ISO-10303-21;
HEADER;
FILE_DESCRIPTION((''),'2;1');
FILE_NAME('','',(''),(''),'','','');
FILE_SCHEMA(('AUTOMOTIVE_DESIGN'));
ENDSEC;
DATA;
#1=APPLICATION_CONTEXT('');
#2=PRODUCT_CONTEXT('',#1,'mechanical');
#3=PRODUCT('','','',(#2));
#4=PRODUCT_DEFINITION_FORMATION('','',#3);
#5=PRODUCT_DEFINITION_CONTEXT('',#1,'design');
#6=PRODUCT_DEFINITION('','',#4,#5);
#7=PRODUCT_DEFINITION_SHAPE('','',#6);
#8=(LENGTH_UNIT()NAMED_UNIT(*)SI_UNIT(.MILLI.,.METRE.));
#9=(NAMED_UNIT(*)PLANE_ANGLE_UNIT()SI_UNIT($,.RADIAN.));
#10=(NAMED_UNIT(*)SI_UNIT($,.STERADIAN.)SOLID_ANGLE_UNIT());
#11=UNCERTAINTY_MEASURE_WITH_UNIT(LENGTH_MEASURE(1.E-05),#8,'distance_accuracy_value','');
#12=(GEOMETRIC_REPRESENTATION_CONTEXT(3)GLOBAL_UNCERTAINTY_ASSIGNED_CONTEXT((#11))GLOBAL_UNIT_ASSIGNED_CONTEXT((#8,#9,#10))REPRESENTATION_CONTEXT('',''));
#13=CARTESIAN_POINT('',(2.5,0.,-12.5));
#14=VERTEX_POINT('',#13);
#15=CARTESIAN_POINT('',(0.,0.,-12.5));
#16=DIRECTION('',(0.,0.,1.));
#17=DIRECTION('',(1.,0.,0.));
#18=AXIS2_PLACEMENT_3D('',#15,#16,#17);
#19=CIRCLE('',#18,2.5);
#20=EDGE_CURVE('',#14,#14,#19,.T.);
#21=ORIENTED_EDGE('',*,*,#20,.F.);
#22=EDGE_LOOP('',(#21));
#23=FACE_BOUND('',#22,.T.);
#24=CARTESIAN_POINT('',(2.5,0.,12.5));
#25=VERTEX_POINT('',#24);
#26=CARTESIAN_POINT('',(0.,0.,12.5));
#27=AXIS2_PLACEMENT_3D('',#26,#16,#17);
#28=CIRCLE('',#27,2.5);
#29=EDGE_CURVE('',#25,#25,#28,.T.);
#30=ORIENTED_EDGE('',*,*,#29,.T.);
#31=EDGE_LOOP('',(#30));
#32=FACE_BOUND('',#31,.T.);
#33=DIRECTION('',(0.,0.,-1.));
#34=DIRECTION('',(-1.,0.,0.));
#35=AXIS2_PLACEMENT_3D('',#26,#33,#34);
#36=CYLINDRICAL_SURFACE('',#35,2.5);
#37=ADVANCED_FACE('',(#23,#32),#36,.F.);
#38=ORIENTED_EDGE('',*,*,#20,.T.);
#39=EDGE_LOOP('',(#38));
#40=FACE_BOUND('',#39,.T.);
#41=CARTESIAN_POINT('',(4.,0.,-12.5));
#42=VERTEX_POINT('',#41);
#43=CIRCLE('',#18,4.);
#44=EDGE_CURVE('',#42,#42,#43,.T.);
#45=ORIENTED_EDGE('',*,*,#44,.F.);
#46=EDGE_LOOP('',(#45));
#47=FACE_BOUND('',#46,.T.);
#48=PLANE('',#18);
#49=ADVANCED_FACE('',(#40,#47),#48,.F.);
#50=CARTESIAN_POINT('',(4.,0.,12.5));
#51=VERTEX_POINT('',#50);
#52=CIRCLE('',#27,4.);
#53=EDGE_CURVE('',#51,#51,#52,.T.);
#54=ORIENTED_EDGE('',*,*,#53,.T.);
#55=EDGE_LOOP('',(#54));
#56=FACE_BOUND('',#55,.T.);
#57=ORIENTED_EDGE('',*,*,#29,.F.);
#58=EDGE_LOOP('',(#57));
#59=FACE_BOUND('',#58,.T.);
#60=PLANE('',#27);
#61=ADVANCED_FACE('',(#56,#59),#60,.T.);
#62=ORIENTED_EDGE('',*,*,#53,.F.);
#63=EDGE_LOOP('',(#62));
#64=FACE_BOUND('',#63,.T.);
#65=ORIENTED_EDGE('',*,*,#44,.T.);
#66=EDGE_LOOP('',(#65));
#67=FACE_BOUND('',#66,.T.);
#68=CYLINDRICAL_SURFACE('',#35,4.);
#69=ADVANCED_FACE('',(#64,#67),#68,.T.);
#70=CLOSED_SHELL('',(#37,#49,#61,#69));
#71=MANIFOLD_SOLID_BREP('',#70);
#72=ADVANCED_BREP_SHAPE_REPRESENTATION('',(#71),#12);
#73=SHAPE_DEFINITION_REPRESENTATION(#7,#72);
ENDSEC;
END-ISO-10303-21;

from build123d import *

# Parameters (mm, degrees)
SKETCH_1_R      = 4
SKETCH_1_R_2    = 2.5
EXTRUDE_1_DEPTH = 12.5


with BuildPart() as part:
    # 草图1 → 凸台-拉伸1 (new, symmetric)
    with BuildSketch(Plane.XY):
        Circle(SKETCH_1_R)
        Circle(SKETCH_1_R_2, mode=Mode.SUBTRACT)
    extrude(amount=EXTRUDE_1_DEPTH, both=True)


solid = part.part
